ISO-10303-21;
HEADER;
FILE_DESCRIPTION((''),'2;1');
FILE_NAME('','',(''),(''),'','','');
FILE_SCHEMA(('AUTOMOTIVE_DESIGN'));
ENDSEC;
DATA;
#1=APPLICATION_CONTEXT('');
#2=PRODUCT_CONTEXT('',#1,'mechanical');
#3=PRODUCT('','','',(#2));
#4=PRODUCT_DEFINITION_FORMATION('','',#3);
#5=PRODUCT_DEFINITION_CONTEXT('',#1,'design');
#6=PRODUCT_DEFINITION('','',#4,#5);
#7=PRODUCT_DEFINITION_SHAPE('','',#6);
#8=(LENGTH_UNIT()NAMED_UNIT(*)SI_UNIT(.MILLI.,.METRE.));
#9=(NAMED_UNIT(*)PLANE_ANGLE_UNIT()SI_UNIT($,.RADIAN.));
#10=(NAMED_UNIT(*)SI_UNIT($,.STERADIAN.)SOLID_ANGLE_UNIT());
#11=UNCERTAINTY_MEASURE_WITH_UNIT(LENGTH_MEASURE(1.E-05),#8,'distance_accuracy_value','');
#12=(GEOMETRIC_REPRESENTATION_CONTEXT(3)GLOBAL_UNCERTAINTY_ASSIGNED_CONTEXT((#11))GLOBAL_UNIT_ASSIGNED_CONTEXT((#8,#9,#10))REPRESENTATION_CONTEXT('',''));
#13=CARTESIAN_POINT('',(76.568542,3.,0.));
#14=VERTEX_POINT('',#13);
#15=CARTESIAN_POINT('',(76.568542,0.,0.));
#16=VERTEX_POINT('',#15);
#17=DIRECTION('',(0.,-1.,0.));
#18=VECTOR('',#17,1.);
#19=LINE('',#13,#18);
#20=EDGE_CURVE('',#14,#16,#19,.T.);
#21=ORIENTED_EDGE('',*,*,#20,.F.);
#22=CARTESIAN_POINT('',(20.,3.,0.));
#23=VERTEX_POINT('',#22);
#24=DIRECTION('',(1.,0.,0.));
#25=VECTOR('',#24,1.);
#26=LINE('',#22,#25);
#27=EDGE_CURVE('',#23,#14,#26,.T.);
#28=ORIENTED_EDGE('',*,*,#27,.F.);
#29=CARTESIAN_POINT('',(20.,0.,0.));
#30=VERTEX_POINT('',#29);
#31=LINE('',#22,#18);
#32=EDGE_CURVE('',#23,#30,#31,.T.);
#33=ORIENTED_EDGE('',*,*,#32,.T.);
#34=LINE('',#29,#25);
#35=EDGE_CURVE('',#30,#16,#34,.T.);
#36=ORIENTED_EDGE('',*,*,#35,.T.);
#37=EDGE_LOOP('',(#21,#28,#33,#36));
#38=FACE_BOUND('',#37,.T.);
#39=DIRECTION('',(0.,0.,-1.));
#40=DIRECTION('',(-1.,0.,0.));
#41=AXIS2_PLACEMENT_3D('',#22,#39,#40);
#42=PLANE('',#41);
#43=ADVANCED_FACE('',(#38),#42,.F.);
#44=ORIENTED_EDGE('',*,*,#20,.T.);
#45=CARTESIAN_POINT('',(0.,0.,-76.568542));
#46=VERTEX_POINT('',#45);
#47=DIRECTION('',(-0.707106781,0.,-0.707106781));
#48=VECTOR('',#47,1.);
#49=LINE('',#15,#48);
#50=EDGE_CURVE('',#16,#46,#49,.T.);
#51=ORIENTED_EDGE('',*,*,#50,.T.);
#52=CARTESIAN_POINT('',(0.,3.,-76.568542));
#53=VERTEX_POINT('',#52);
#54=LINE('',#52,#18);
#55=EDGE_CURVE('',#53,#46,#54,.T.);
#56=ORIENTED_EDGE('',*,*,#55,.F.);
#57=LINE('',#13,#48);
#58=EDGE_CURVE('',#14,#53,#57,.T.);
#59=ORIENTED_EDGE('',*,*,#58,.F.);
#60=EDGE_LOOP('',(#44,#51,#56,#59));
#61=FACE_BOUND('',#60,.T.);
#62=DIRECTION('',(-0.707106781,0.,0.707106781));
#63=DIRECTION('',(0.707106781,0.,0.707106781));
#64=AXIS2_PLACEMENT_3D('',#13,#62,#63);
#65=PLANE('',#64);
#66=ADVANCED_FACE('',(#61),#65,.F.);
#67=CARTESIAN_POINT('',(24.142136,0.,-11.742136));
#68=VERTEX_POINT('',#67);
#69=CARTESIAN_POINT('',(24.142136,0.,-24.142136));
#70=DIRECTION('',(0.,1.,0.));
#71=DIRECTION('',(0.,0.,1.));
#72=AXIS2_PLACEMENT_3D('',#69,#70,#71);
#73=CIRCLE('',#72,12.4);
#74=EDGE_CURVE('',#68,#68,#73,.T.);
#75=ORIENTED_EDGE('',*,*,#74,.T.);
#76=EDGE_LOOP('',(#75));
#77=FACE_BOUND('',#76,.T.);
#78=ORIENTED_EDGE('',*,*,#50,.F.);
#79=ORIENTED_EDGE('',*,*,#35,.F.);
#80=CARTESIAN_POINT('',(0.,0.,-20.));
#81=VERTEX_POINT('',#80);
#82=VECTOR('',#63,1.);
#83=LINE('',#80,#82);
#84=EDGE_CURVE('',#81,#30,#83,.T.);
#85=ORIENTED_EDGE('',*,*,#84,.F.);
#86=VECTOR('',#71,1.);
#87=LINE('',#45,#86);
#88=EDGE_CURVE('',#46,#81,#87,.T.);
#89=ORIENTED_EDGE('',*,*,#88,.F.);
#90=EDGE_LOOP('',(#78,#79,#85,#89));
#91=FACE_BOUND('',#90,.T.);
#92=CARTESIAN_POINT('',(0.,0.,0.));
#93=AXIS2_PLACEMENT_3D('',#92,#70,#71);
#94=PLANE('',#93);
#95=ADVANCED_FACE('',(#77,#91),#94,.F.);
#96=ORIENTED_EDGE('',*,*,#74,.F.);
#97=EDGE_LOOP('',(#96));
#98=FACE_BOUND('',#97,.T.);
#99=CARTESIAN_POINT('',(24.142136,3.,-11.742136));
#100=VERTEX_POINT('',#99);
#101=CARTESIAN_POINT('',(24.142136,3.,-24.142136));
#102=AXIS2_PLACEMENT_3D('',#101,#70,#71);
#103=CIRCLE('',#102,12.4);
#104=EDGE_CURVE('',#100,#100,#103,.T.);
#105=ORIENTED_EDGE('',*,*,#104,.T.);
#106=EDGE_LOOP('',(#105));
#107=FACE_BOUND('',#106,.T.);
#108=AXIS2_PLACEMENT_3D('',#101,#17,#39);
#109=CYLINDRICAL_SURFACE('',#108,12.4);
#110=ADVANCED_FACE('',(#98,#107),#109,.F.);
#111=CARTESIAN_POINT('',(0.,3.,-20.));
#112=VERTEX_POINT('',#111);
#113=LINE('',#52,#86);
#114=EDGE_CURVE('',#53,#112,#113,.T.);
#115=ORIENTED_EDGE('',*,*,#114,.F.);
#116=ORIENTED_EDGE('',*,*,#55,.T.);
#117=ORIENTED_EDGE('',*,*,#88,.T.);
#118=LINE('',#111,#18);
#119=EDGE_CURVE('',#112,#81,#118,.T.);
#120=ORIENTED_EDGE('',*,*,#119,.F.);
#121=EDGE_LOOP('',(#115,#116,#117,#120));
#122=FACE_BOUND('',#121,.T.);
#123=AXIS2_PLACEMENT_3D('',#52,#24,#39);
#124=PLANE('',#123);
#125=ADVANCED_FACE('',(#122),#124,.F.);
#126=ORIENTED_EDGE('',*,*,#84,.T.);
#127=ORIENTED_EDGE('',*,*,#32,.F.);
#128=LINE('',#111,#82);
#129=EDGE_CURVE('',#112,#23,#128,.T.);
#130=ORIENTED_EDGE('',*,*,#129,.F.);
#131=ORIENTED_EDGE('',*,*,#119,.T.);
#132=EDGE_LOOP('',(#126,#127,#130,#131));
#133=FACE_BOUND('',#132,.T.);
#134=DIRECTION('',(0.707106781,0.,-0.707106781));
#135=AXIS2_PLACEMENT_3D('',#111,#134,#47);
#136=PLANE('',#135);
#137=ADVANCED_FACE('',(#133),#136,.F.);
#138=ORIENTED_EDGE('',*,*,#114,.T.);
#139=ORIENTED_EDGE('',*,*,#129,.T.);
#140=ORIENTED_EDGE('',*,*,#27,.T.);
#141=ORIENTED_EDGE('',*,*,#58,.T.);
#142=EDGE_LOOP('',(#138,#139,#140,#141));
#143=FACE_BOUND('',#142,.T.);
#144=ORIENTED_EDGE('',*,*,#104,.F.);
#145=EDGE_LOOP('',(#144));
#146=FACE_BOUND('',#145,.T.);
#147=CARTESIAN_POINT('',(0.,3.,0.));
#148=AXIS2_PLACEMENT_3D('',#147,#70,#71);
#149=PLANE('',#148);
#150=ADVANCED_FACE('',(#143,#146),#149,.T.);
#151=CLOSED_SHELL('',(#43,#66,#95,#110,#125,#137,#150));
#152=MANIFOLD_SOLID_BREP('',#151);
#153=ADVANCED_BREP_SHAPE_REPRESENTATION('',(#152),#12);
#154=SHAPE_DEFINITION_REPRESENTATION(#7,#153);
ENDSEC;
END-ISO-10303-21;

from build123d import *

# Parameters (mm, degrees)
SKETCH_1_R      = 12.4
EXTRUDE_1_DEPTH = 3


with BuildPart() as part:
    # 草圖1 → 填料-伸長1 (new body)
    with BuildSketch(Plane(origin=(0, 0, 0), x_dir=(1, 0, 0), z_dir=(0, 1, 0))):
        Polygon((0, 76.568542495), (0, 20), (20, 0), (76.568542495, 0), align=None)
        with Locations(Location((24.142135624, 24.142135624, 0), (0, 0, 270))):
            Circle(SKETCH_1_R, mode=Mode.SUBTRACT)
    extrude(amount=EXTRUDE_1_DEPTH)


solid = part.part
